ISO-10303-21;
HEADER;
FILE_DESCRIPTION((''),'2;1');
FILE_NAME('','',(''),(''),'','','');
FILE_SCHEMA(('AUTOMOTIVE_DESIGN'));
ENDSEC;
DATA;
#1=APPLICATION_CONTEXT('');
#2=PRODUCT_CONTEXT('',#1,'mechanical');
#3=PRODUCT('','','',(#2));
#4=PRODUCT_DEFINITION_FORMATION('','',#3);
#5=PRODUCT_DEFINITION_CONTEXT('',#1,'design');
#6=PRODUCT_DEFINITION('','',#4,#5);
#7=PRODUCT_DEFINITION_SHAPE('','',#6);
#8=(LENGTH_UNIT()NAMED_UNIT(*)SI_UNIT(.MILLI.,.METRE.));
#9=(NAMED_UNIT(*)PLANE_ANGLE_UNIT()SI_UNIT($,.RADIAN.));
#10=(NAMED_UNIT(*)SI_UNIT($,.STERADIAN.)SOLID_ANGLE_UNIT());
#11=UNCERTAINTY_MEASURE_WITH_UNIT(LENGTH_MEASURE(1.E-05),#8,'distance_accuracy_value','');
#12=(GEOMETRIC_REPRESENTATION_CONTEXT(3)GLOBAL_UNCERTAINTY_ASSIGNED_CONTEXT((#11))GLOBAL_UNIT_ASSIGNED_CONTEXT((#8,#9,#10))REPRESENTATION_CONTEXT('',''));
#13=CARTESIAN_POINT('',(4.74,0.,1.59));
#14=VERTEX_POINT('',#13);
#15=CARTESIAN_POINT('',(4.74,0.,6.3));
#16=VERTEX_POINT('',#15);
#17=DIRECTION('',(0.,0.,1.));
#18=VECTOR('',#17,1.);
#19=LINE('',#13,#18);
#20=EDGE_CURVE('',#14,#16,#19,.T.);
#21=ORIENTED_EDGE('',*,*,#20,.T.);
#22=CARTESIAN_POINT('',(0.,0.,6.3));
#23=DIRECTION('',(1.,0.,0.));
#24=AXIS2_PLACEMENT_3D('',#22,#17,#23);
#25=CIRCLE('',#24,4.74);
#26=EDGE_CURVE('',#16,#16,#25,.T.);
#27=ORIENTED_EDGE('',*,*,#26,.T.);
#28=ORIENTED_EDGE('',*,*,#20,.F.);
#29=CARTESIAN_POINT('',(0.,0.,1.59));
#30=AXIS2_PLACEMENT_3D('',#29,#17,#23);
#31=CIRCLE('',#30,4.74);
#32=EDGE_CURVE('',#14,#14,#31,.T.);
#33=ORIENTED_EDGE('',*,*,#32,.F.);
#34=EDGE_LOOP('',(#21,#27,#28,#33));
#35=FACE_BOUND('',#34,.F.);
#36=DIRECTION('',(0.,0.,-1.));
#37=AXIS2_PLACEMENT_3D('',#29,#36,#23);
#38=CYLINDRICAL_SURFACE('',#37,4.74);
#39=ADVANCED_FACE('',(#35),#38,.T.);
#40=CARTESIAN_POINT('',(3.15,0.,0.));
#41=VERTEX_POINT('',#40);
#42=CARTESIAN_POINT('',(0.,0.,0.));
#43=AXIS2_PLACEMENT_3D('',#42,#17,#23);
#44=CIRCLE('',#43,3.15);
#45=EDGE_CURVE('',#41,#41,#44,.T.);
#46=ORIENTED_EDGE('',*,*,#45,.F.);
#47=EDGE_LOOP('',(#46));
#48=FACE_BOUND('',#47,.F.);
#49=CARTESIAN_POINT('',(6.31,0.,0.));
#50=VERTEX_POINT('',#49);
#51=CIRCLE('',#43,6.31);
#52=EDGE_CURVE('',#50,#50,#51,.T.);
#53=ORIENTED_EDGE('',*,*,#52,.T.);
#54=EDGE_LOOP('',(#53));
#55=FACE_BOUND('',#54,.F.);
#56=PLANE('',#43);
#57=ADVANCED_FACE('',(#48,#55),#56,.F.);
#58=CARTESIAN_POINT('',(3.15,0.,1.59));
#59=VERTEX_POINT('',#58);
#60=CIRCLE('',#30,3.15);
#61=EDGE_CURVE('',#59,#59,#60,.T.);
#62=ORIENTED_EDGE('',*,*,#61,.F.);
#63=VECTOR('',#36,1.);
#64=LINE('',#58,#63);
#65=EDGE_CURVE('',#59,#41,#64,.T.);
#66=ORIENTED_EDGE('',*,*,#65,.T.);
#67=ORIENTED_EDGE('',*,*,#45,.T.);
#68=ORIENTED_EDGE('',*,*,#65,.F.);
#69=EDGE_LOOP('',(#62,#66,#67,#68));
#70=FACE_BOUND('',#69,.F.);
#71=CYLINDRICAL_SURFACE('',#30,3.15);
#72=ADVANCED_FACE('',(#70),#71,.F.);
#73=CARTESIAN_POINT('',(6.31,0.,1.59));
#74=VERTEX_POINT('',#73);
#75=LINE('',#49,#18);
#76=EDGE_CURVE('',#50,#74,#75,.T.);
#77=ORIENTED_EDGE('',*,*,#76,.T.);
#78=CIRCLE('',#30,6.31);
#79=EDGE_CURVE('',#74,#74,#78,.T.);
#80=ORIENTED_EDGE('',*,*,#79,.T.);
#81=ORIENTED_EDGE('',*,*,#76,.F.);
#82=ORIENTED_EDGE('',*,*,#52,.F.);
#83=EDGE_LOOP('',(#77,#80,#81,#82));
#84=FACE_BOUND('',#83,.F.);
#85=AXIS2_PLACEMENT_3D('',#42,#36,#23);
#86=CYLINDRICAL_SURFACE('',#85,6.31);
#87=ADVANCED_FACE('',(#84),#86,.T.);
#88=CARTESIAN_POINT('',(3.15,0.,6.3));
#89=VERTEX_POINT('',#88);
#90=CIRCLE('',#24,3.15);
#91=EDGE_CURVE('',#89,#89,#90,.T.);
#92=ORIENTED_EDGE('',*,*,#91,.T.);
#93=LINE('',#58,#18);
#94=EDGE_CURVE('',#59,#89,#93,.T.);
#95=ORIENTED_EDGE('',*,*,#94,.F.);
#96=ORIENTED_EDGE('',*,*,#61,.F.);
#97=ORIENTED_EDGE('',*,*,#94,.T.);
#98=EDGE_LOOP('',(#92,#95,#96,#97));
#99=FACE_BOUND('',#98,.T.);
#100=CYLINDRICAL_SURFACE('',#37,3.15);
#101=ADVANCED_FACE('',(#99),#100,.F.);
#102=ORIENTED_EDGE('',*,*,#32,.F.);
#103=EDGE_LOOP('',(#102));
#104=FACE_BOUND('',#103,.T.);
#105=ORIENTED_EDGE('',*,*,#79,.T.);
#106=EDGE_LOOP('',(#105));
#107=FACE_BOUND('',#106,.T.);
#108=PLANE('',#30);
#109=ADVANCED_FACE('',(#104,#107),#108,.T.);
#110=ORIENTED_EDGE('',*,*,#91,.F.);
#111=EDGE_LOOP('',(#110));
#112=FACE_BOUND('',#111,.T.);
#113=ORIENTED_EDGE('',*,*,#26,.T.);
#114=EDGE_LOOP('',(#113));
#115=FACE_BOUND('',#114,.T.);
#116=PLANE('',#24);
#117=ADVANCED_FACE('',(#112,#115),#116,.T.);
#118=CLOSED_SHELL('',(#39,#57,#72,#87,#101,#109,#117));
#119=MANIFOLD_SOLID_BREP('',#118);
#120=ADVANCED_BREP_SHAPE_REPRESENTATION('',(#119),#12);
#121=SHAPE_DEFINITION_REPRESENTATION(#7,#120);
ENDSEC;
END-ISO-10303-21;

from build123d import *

# Parameters (mm, degrees)
F0_R     = 6.31
F1_DEPTH = 1.59
F2_R     = 3.15
F3_DEPTH = 1.591
F4_R     = 4.74
F4_R_2   = 3.15
F5_DEPTH = 4.71


with BuildPart() as f1:
    # F0 (on Top) → F1 (new body)
    with BuildSketch(Plane.XY):
        Circle(F0_R)
    extrude(amount=F1_DEPTH)

    # F2 (on face) → F3 (cut, through all)
    with BuildSketch(Plane.XY.offset(1.59)):
        Circle(F2_R)
    extrude(amount=-F3_DEPTH, mode=Mode.SUBTRACT)

    # F4 (on face) → F5 (join)
    with BuildSketch(Plane.XY.offset(1.59)):
        Circle(F4_R)
        Circle(F4_R_2, mode=Mode.SUBTRACT)
    extrude(amount=F5_DEPTH)


solid = f1.part
